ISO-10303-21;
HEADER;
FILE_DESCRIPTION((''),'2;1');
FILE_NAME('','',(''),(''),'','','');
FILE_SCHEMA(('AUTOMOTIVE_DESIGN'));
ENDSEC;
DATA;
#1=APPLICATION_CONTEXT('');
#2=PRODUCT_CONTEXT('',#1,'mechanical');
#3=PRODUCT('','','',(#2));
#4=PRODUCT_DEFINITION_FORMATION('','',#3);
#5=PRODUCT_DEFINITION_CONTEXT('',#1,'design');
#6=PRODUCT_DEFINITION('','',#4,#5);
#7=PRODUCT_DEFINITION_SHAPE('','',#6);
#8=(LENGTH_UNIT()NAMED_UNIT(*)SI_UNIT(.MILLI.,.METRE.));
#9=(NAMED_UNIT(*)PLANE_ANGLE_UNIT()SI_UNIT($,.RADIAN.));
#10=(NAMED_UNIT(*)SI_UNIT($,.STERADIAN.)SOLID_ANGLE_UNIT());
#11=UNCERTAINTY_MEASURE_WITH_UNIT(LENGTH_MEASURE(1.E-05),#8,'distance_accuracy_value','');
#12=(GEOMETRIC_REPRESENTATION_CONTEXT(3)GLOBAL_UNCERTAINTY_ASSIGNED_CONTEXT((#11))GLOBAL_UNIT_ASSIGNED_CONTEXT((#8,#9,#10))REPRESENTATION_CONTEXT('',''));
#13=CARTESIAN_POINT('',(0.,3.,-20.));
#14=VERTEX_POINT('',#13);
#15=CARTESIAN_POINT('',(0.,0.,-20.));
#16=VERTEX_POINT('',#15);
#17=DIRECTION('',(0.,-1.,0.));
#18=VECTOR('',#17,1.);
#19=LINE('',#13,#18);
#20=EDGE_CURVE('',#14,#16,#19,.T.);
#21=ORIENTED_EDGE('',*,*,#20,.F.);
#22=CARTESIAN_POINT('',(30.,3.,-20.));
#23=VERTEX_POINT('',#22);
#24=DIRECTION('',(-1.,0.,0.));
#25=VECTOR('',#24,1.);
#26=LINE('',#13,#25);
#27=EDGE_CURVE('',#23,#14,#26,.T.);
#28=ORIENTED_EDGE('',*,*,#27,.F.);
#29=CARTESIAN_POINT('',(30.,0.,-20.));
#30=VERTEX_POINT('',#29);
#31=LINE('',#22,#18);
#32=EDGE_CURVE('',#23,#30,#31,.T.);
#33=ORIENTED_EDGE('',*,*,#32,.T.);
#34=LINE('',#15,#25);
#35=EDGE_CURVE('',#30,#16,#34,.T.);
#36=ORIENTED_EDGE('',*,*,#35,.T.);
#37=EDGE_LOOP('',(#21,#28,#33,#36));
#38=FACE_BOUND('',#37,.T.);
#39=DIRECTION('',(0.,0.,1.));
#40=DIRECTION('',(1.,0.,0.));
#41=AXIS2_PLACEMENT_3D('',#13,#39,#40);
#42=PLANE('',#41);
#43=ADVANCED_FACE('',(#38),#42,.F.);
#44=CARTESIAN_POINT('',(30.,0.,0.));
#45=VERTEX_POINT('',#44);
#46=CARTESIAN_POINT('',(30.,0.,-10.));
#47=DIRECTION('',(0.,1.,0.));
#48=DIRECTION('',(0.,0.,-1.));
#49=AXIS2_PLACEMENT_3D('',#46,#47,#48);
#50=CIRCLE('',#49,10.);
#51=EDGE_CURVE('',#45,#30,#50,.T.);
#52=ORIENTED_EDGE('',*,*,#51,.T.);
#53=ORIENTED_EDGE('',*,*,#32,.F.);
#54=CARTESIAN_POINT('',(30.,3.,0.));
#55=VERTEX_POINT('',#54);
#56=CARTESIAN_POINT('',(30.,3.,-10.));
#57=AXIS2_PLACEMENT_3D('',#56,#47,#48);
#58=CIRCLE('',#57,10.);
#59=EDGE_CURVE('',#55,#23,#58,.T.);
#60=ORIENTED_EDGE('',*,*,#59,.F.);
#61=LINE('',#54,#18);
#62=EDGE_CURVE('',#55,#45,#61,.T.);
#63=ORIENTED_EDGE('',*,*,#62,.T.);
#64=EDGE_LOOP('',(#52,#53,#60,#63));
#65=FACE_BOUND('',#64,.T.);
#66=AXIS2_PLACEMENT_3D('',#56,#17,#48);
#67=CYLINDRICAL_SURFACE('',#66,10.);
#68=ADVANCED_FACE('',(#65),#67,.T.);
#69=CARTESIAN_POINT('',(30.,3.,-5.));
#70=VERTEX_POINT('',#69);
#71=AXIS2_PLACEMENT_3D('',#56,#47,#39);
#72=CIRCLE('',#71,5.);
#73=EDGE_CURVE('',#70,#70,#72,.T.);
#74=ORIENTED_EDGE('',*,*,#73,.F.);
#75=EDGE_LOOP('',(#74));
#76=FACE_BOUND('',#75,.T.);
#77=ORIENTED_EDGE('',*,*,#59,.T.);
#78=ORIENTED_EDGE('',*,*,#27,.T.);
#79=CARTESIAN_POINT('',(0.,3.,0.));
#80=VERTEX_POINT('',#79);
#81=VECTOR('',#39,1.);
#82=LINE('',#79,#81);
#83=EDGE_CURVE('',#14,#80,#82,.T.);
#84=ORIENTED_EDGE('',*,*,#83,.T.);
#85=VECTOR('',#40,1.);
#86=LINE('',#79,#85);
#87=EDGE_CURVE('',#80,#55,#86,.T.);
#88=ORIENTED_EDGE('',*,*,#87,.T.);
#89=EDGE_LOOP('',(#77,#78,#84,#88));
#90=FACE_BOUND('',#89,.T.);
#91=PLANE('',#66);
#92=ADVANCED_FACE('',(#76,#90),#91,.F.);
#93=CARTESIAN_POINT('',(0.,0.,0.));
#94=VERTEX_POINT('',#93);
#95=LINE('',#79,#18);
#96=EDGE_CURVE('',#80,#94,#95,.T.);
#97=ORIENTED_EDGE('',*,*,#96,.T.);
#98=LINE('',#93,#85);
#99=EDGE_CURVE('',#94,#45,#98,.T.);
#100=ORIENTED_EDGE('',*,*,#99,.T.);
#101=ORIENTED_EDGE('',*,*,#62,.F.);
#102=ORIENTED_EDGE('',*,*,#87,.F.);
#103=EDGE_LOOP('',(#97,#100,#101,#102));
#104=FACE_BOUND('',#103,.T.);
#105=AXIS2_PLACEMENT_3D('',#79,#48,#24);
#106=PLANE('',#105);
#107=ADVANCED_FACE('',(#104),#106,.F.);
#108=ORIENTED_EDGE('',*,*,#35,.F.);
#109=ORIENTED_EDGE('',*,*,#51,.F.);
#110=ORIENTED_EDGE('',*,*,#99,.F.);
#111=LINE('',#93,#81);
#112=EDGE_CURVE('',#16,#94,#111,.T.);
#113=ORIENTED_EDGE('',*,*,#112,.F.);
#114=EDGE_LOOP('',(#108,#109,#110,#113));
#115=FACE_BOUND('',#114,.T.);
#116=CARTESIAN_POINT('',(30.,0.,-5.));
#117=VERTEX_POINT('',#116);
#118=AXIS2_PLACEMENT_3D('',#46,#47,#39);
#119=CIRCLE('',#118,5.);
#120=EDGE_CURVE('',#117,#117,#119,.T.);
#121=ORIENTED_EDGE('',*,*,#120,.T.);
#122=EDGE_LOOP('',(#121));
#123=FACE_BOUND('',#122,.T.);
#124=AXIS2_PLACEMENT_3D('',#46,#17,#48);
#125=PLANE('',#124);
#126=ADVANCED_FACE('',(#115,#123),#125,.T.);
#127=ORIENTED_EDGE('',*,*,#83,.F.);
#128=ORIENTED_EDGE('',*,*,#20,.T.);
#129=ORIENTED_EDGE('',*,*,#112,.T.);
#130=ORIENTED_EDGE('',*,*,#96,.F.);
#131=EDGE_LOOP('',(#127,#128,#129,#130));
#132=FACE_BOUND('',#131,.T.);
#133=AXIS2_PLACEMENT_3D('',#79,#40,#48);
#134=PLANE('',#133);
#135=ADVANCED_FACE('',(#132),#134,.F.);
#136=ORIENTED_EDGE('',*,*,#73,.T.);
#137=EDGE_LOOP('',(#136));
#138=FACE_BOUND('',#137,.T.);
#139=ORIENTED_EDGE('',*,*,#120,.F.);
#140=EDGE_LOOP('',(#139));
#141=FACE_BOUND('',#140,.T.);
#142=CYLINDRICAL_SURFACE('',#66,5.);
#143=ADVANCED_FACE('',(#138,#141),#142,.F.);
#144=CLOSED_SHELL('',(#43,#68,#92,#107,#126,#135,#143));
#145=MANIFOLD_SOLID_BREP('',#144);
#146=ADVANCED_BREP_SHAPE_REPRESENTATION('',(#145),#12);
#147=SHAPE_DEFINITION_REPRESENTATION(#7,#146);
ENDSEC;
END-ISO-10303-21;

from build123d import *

# Parameters (mm, degrees)
ESQUISSE2_R        = 5
BOSS_EXTRU_1_DEPTH = 3


with BuildPart() as part:
    # Esquisse2 → Boss.-Extru.1 (new body)
    with BuildSketch(Plane(origin=(0, 0, 0), x_dir=(1, 0, 0), z_dir=(0, 1, 0))):
        with BuildLine():
            Line((0, 0), (30, 0))
            ThreePointArc((30, 0), (40, 10), (30, 20))
            Line((30, 20), (0, 20))
            Line((0, 20), (0, 0))
        make_face()
        with Locations(Location((30, 10, 0), (0, 0, 270))):  # turned: the seam where the file's is
            Circle(ESQUISSE2_R, mode=Mode.SUBTRACT)
    extrude(amount=BOSS_EXTRU_1_DEPTH)


solid = part.part
